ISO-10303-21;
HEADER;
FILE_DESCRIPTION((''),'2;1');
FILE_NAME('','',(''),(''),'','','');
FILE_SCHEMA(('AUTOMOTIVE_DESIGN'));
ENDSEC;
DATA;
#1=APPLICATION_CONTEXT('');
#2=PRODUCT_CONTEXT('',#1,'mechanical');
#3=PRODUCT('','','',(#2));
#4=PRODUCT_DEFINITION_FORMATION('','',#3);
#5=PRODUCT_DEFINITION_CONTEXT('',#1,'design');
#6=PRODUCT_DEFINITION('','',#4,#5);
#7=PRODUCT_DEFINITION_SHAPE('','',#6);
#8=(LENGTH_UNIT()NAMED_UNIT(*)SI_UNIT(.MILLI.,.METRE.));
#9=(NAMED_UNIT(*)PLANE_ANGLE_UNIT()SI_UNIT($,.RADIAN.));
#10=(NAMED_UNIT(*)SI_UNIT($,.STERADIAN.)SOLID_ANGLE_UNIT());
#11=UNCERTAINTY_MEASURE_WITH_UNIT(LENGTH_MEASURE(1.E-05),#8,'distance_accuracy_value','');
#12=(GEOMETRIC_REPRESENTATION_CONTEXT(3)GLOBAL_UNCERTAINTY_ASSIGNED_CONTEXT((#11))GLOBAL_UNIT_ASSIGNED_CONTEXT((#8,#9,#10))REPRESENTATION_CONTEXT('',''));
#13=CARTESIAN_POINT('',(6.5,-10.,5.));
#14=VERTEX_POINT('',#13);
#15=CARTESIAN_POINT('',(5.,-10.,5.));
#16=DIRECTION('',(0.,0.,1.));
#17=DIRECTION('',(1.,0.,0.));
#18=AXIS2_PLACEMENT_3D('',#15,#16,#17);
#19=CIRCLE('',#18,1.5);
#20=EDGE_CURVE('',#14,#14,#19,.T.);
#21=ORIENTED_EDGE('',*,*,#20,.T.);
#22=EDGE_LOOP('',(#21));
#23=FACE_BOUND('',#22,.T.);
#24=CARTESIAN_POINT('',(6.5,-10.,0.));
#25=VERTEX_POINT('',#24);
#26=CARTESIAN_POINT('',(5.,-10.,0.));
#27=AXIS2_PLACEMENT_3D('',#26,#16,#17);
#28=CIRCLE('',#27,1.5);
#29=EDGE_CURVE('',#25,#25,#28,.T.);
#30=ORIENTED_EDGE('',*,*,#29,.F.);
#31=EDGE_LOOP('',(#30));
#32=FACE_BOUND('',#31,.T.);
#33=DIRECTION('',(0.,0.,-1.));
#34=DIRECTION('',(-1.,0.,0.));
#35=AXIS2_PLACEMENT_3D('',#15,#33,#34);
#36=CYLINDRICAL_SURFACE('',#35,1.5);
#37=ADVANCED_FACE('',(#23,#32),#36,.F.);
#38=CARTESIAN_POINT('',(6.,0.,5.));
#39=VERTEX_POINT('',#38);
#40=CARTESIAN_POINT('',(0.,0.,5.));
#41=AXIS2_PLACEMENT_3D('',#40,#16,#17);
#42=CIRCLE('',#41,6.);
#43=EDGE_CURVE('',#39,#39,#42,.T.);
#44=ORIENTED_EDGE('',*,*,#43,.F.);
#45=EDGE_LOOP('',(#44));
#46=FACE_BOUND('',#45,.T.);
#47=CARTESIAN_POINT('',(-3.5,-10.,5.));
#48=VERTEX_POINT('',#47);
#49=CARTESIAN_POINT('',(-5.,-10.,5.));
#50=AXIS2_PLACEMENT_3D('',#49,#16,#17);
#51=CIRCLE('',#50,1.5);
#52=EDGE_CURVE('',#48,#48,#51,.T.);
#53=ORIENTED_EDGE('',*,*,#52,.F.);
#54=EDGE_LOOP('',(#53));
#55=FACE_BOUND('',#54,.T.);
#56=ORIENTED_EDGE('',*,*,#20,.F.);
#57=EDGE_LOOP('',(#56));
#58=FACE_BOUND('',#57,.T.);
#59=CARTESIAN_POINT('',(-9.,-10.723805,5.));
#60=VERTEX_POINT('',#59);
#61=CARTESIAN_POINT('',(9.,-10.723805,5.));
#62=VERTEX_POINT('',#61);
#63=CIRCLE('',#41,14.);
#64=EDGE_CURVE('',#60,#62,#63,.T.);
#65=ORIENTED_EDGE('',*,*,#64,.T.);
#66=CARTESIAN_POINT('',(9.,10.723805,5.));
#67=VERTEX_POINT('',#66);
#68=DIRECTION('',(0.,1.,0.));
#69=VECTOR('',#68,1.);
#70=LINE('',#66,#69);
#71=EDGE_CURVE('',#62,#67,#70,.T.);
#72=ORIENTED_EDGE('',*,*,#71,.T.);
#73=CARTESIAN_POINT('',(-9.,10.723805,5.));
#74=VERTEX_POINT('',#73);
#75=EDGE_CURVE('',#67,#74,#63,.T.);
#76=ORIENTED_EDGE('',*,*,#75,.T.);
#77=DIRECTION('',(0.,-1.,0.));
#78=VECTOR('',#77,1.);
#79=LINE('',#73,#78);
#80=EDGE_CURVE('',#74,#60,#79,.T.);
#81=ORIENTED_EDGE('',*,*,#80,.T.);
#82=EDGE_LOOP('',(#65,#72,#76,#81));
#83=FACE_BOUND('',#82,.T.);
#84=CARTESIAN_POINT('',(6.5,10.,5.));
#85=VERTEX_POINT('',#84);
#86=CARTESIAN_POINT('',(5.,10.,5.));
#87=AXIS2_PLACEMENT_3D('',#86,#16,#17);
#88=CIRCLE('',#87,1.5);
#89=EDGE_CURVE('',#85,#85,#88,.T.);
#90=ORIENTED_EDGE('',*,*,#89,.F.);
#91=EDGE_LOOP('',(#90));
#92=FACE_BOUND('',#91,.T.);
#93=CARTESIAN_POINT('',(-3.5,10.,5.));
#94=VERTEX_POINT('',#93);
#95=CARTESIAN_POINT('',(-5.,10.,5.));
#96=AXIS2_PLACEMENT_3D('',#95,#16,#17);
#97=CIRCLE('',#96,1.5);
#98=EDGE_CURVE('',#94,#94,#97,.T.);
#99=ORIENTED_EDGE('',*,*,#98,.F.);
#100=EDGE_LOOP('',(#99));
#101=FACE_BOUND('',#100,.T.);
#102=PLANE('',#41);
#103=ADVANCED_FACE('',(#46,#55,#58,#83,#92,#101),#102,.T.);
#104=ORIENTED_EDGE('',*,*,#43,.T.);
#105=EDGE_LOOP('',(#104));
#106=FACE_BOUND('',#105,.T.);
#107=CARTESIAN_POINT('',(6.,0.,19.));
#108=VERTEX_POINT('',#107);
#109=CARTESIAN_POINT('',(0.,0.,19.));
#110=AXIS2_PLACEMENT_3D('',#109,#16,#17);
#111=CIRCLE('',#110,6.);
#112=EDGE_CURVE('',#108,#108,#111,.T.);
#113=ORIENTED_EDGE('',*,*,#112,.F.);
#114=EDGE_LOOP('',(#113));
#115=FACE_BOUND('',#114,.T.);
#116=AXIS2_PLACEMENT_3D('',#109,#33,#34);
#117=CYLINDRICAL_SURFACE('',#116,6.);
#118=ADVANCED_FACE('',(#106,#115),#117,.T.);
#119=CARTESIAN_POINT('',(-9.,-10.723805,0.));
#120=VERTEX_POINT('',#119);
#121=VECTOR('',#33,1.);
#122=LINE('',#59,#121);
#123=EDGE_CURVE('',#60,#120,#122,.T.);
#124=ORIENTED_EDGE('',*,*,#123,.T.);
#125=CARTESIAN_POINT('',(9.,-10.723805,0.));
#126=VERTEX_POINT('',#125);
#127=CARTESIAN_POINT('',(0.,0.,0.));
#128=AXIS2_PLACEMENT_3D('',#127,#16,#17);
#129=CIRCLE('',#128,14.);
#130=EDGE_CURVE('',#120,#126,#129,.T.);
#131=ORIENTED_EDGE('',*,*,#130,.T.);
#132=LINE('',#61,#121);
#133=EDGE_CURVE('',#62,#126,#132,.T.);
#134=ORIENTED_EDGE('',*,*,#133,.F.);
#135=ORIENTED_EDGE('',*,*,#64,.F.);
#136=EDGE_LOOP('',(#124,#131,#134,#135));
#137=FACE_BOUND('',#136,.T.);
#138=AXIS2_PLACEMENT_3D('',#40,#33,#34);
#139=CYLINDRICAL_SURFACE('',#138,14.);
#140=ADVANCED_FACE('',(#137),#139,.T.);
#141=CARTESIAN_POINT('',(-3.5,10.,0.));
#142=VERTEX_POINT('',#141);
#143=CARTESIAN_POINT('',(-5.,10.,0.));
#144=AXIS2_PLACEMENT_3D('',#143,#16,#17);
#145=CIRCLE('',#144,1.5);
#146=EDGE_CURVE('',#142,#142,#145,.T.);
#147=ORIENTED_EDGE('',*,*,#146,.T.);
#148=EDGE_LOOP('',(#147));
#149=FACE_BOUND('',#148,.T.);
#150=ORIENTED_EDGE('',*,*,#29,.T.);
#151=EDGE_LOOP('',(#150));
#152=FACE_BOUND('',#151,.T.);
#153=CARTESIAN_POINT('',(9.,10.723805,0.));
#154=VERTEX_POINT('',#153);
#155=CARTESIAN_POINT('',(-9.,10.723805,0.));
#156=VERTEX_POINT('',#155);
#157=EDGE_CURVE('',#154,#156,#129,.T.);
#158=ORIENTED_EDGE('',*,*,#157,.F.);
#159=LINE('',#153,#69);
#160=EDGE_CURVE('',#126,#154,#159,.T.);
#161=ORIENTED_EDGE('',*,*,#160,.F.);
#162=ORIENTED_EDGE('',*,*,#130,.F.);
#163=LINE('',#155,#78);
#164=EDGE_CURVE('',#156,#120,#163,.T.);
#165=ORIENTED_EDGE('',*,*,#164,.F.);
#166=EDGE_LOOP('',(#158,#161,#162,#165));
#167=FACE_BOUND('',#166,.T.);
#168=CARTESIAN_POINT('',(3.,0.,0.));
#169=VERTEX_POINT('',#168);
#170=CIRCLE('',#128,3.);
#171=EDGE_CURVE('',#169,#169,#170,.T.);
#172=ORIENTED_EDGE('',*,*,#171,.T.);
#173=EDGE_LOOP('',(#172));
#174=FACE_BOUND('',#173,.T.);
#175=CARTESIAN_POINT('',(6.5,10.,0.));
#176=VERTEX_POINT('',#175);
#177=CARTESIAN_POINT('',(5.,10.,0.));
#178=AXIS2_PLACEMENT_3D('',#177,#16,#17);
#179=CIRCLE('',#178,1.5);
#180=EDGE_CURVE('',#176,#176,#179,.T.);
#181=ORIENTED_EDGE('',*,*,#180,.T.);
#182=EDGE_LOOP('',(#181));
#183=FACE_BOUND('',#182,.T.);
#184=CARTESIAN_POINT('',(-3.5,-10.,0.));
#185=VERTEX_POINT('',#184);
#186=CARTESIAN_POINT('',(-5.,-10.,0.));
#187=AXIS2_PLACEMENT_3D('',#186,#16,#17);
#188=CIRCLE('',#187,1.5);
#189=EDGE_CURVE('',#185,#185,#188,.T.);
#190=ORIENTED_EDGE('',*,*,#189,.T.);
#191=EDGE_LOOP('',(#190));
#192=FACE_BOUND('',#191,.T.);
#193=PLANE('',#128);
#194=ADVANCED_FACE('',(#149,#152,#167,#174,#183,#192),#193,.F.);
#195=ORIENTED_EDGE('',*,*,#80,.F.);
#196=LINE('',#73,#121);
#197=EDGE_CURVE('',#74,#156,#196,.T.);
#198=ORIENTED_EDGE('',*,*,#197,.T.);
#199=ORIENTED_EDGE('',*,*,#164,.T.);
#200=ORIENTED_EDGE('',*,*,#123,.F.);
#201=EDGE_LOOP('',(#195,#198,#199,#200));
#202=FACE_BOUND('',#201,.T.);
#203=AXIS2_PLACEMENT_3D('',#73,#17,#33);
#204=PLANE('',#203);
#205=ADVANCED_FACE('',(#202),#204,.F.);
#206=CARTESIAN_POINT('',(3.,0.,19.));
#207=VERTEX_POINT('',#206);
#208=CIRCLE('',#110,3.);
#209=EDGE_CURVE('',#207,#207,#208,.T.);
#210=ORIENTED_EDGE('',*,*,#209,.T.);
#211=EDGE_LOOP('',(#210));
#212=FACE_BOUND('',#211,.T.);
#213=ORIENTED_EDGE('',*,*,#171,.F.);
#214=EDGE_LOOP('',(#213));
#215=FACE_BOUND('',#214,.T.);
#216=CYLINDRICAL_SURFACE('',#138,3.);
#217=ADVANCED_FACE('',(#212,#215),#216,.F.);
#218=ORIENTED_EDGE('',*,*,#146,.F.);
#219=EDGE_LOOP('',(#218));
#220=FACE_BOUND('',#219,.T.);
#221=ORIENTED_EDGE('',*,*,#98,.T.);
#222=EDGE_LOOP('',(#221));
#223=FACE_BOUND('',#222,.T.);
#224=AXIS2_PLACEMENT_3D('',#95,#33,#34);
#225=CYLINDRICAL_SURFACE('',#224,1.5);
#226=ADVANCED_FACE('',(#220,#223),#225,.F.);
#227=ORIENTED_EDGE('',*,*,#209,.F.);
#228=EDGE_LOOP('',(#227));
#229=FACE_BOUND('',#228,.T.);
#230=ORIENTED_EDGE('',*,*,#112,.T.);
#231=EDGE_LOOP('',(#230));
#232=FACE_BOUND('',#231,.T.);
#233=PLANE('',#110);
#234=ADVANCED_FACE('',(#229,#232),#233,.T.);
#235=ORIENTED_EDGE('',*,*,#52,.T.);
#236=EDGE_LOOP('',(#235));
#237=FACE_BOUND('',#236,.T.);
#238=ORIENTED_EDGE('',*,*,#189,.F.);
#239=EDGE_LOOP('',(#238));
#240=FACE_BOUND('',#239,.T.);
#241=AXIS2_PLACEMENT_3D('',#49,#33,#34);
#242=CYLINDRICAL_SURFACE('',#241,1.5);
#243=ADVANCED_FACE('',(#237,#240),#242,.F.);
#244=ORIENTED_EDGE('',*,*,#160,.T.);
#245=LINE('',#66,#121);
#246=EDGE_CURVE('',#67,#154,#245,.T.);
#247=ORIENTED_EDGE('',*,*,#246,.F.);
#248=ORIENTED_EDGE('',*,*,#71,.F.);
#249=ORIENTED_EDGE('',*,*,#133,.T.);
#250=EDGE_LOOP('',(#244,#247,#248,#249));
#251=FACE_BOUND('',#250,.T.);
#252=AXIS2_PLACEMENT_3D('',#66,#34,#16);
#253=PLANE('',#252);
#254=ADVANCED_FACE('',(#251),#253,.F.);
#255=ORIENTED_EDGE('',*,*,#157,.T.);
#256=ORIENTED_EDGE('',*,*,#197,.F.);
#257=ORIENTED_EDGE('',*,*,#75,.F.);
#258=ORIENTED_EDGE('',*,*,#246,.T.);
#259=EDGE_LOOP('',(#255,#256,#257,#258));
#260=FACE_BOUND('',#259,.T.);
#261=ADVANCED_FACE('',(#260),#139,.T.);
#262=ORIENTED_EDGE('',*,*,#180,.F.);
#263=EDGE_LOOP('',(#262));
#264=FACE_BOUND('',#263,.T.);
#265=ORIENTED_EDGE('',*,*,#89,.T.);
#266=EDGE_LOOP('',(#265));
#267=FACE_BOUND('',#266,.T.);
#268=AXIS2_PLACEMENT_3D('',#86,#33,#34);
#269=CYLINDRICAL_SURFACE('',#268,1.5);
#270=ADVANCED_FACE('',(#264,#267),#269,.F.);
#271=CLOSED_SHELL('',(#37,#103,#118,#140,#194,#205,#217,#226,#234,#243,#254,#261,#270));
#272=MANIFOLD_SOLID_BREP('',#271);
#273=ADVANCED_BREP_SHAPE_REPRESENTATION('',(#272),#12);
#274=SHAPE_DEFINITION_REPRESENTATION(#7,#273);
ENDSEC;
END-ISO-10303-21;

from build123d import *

# Parameters (mm, degrees)
SKETCH1_R           = 3
SKETCH1_R_2         = 1.5
BOSS_EXTRUDE1_DEPTH = 5
SKETCH2_R           = 6
SKETCH2_R_2         = 3
BOSS_EXTRUDE2_DEPTH = 14


with BuildPart() as part:
    # Sketch1 → Boss-Extrude1 (new body)
    with BuildSketch(Plane.XY):
        with BuildLine():
            Line((-9, 10.723805295), (-9, -10.723805295))
            ThreePointArc((-9, -10.723805295), (0, -14), (9, -10.723805295))
            Line((9, -10.723805295), (9, 10.723805295))
            ThreePointArc((9, 10.723805295), (0, 14), (-9, 10.723805295))
        make_face()
        Circle(SKETCH1_R, mode=Mode.SUBTRACT)
        with Locations((-5, 10)):
            Circle(SKETCH1_R_2, mode=Mode.SUBTRACT)
        with Locations((5, 10)):
            Circle(SKETCH1_R_2, mode=Mode.SUBTRACT)
        with Locations((-5, -10)):
            Circle(SKETCH1_R_2, mode=Mode.SUBTRACT)
        with Locations((5, -10)):
            Circle(SKETCH1_R_2, mode=Mode.SUBTRACT)
    extrude(amount=BOSS_EXTRUDE1_DEPTH)

    # Sketch2 → Boss-Extrude2 (add)
    with BuildSketch(Plane.XY.offset(5)):
        Circle(SKETCH2_R)
        Circle(SKETCH2_R_2, mode=Mode.SUBTRACT)
    extrude(amount=BOSS_EXTRUDE2_DEPTH)


solid = part.part
